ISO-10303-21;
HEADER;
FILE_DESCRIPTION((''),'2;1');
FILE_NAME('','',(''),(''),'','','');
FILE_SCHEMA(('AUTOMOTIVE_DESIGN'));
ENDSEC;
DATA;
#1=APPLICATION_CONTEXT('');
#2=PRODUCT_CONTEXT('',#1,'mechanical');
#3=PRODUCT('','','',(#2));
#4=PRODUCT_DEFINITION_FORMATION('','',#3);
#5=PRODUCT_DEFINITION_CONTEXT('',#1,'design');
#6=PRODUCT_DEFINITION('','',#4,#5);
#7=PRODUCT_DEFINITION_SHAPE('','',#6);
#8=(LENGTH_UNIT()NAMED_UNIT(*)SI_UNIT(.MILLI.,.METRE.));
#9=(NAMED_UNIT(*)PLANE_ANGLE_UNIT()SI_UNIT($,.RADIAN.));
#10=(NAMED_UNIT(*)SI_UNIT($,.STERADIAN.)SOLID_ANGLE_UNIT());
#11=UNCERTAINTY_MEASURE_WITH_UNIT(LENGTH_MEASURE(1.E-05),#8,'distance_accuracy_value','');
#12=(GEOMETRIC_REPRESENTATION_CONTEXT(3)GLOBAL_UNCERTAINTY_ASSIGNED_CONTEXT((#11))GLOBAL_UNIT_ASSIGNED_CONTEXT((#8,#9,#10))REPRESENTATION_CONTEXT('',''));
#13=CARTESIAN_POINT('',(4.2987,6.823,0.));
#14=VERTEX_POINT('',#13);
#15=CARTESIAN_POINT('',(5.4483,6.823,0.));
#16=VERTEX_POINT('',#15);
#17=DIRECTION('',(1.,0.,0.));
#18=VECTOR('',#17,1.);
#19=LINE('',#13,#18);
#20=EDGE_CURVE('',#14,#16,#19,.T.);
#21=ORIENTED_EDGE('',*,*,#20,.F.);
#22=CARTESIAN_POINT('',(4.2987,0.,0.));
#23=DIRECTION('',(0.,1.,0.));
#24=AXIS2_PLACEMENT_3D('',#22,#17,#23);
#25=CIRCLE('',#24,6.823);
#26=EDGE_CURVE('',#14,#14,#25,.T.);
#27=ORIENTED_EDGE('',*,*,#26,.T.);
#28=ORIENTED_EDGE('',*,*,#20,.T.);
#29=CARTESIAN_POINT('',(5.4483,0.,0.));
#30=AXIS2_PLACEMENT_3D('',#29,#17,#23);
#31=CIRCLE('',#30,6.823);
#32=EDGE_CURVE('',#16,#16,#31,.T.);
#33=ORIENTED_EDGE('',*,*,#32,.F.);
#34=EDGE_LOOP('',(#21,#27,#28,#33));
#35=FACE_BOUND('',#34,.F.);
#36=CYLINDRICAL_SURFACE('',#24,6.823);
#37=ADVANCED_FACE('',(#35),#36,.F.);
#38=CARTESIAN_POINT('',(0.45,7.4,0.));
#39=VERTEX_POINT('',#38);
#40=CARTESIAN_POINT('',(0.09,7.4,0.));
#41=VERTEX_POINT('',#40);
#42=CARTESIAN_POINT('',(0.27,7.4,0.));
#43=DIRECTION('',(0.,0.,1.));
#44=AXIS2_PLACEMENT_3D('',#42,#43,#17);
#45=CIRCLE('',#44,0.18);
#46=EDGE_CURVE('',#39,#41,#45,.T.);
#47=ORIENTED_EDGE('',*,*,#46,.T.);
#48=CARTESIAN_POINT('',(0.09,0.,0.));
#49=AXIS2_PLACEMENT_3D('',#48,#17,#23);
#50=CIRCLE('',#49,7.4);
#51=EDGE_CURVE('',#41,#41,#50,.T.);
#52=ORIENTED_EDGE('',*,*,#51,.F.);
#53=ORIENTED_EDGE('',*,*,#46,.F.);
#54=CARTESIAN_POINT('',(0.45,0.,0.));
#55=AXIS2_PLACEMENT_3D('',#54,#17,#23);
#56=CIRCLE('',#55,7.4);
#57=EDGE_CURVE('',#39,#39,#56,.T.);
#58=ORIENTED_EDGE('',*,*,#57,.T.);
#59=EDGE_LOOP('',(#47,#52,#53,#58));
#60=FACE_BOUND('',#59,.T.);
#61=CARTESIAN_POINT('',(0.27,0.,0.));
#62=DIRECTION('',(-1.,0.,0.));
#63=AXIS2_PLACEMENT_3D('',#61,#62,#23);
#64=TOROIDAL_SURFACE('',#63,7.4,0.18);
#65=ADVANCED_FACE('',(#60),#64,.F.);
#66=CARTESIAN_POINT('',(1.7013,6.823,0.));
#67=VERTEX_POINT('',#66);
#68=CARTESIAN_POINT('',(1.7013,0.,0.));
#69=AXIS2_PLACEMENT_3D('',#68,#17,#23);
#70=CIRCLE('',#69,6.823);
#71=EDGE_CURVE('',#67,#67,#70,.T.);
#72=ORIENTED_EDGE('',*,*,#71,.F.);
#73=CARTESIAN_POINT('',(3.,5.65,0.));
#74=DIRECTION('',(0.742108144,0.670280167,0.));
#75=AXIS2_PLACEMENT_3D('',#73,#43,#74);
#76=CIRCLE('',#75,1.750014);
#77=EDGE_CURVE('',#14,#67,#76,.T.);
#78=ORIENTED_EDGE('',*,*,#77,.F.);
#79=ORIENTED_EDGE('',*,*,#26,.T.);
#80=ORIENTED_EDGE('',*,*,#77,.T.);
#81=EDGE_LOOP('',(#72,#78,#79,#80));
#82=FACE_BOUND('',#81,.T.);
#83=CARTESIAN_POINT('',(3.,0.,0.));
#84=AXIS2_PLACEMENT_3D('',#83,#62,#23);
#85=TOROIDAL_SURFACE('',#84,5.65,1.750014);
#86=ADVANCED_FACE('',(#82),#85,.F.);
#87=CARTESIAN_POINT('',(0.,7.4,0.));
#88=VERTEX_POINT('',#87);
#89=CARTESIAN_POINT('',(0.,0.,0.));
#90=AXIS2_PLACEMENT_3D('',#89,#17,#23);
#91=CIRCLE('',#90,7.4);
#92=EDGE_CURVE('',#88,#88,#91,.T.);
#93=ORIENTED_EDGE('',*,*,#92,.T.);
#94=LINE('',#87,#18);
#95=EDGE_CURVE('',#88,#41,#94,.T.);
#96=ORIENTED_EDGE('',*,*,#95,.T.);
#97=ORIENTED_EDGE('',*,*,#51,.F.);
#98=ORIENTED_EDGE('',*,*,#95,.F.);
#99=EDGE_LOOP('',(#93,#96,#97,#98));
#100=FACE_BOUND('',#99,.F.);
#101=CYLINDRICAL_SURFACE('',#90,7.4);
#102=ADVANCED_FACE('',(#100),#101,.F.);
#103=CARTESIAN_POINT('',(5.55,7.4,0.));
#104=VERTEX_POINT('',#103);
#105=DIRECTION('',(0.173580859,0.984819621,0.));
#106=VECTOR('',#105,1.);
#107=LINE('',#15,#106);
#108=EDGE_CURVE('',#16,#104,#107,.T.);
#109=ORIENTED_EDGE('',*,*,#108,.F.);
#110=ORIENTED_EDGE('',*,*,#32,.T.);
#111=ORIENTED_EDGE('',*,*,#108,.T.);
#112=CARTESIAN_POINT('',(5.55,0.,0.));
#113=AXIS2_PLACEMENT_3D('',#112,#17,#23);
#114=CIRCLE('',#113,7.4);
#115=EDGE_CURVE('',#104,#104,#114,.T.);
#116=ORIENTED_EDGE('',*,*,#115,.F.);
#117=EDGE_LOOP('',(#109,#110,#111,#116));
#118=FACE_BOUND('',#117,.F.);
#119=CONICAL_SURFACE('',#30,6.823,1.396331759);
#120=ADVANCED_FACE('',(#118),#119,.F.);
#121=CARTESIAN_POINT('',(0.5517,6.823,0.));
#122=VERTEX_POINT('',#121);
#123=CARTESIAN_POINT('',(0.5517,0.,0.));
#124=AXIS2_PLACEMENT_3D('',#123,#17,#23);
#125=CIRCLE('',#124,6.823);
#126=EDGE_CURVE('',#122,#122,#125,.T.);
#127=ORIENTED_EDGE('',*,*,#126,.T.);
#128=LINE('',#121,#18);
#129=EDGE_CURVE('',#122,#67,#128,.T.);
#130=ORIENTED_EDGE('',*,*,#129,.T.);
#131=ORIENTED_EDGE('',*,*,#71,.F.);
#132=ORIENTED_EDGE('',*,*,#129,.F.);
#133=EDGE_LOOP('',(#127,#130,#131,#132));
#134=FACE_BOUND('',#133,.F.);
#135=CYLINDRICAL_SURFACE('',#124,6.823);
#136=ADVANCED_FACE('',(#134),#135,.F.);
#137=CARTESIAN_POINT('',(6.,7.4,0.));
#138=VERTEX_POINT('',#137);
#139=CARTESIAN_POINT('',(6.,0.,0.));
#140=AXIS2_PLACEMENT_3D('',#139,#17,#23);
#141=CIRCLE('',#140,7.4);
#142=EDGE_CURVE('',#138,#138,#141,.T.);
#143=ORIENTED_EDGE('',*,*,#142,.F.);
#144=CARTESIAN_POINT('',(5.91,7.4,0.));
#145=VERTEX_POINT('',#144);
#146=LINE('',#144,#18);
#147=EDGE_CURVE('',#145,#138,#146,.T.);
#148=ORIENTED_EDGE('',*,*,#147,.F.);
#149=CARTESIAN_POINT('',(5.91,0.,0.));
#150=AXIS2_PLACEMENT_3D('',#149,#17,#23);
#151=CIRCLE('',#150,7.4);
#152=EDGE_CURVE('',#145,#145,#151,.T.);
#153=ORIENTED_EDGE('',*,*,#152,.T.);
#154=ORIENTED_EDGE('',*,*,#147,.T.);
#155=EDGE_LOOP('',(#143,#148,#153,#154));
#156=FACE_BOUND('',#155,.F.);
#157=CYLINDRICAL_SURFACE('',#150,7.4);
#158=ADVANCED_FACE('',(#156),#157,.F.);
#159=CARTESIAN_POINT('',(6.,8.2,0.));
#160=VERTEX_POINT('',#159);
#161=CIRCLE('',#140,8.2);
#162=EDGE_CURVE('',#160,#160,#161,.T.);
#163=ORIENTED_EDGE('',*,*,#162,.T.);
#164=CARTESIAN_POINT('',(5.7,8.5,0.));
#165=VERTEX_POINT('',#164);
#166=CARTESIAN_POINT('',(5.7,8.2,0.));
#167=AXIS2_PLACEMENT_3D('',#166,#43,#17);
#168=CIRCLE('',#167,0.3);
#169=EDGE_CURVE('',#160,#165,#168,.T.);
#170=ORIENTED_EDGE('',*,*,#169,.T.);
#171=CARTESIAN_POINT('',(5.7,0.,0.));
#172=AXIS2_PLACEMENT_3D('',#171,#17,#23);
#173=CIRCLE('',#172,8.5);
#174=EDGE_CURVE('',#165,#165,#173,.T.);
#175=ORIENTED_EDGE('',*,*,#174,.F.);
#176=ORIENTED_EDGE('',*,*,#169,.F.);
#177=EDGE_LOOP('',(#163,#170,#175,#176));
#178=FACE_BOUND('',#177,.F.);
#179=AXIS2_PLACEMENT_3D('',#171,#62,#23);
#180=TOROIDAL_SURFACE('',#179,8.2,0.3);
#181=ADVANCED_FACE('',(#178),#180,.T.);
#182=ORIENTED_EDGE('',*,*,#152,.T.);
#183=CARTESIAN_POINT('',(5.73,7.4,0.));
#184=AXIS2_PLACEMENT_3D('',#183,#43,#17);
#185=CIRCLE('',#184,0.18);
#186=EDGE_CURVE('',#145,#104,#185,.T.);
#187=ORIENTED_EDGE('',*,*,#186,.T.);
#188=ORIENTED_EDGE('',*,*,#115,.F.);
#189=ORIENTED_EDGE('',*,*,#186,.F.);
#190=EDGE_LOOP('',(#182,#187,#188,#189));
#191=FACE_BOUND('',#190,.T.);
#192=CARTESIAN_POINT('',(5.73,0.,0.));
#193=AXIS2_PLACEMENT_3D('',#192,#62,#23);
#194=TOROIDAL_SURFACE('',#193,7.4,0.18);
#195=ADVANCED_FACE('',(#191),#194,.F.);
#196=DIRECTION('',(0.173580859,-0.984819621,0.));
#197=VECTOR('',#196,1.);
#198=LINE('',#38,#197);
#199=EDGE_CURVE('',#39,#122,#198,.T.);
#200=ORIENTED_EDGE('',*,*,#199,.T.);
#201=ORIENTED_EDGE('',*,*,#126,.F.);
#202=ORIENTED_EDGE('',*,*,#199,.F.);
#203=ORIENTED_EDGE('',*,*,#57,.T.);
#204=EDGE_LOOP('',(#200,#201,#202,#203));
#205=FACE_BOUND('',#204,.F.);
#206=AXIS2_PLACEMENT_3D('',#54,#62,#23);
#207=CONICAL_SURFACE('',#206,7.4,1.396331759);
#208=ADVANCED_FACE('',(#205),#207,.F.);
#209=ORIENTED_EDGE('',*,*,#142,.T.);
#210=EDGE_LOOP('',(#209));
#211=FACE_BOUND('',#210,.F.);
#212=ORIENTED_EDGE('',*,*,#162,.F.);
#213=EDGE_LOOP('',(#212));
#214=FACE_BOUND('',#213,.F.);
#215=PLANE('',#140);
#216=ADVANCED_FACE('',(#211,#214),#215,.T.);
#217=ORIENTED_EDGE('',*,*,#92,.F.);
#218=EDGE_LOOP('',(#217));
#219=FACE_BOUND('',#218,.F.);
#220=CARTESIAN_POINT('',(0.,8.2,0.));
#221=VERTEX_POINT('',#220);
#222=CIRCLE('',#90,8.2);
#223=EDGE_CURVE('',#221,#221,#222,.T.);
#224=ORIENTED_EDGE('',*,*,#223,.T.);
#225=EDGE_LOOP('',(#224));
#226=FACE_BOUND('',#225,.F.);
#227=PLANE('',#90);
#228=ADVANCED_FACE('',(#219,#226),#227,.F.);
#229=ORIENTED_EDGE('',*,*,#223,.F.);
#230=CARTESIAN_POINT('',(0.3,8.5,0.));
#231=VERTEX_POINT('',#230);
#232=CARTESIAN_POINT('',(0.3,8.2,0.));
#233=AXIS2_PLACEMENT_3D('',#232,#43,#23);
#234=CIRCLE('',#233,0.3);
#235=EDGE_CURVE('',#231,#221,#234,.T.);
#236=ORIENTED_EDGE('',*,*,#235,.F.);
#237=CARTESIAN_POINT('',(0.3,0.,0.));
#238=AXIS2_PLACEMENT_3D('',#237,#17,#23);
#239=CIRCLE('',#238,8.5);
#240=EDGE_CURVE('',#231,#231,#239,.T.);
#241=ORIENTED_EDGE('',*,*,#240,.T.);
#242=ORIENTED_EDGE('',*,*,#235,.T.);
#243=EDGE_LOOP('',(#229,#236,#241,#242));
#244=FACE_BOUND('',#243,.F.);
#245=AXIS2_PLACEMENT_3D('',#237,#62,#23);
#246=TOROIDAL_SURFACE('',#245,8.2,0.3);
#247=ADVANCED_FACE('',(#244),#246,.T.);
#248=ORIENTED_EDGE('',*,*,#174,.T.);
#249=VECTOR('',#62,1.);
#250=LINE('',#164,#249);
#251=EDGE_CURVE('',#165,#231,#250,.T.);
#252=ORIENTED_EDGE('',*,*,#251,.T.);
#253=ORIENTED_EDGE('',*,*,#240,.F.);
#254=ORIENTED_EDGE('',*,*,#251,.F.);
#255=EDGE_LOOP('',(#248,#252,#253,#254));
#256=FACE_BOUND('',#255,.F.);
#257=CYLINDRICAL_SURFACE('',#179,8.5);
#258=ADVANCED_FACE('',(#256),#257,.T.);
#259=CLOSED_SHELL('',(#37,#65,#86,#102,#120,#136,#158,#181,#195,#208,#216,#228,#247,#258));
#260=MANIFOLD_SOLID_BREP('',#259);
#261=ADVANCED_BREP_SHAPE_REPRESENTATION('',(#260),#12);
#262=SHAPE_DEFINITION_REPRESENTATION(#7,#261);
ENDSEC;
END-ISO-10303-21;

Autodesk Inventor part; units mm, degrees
ref_plane "YZ Plane" through (0, 0, 0) normal (1, 0, 0) x (0, 1, 0)
ref_plane "XZ Plane" through (0, 0, 0) normal (0, 1, 0) x (-1, 0, 0)
ref_plane "XY Plane" through (0, 0, 0) normal (0, 0, 1) x (1, 0, 0)
sketch "Sketch_17" plane through (0, 0, 0) normal (0, 0, 1) x (1, 0, 0)
  line L0 (50, 0) -> (-50, 0)
  line L1 (0, 8.2) -> (0, 7.4)
  line L2 (0, 7.4) -> (0.09, 7.4)
  arc A0 (0.45, 7.4) -> (0.09, 7.4) centre (0.27, 7.4) ccw
  line L3 (0.45, 7.4) -> (0.5517, 6.823)
  line L4 (0.5517, 6.823) -> (1.7013, 6.823)
  arc A1 (4.2987, 6.823) -> (1.7013, 6.823) centre (3, 5.65) ccw
  line L5 (4.2987, 6.823) -> (5.4483, 6.823)
  line L6 (5.4483, 6.823) -> (5.55, 7.4)
  arc A2 (5.91, 7.4) -> (5.55, 7.4) centre (5.73, 7.4) ccw
  line L7 (5.91, 7.4) -> (6, 7.4)
  line L8 (6, 7.4) -> (6, 8.2)
  arc A3 (6, 8.2) -> (5.7, 8.5) centre (5.7, 8.2) ccw
  line L9 (5.7, 8.5) -> (0.3, 8.5)
  arc A4 (0.3, 8.5) -> (0, 8.2) centre (0.3, 8.2) ccw
revolve "Revolution1" add sketch "Sketch_17" angle 360 about axis through (50, 0, 0) along (1, 0, 0)
properties part number "W 606-2Z_PART2" material "Stainless Steel"
